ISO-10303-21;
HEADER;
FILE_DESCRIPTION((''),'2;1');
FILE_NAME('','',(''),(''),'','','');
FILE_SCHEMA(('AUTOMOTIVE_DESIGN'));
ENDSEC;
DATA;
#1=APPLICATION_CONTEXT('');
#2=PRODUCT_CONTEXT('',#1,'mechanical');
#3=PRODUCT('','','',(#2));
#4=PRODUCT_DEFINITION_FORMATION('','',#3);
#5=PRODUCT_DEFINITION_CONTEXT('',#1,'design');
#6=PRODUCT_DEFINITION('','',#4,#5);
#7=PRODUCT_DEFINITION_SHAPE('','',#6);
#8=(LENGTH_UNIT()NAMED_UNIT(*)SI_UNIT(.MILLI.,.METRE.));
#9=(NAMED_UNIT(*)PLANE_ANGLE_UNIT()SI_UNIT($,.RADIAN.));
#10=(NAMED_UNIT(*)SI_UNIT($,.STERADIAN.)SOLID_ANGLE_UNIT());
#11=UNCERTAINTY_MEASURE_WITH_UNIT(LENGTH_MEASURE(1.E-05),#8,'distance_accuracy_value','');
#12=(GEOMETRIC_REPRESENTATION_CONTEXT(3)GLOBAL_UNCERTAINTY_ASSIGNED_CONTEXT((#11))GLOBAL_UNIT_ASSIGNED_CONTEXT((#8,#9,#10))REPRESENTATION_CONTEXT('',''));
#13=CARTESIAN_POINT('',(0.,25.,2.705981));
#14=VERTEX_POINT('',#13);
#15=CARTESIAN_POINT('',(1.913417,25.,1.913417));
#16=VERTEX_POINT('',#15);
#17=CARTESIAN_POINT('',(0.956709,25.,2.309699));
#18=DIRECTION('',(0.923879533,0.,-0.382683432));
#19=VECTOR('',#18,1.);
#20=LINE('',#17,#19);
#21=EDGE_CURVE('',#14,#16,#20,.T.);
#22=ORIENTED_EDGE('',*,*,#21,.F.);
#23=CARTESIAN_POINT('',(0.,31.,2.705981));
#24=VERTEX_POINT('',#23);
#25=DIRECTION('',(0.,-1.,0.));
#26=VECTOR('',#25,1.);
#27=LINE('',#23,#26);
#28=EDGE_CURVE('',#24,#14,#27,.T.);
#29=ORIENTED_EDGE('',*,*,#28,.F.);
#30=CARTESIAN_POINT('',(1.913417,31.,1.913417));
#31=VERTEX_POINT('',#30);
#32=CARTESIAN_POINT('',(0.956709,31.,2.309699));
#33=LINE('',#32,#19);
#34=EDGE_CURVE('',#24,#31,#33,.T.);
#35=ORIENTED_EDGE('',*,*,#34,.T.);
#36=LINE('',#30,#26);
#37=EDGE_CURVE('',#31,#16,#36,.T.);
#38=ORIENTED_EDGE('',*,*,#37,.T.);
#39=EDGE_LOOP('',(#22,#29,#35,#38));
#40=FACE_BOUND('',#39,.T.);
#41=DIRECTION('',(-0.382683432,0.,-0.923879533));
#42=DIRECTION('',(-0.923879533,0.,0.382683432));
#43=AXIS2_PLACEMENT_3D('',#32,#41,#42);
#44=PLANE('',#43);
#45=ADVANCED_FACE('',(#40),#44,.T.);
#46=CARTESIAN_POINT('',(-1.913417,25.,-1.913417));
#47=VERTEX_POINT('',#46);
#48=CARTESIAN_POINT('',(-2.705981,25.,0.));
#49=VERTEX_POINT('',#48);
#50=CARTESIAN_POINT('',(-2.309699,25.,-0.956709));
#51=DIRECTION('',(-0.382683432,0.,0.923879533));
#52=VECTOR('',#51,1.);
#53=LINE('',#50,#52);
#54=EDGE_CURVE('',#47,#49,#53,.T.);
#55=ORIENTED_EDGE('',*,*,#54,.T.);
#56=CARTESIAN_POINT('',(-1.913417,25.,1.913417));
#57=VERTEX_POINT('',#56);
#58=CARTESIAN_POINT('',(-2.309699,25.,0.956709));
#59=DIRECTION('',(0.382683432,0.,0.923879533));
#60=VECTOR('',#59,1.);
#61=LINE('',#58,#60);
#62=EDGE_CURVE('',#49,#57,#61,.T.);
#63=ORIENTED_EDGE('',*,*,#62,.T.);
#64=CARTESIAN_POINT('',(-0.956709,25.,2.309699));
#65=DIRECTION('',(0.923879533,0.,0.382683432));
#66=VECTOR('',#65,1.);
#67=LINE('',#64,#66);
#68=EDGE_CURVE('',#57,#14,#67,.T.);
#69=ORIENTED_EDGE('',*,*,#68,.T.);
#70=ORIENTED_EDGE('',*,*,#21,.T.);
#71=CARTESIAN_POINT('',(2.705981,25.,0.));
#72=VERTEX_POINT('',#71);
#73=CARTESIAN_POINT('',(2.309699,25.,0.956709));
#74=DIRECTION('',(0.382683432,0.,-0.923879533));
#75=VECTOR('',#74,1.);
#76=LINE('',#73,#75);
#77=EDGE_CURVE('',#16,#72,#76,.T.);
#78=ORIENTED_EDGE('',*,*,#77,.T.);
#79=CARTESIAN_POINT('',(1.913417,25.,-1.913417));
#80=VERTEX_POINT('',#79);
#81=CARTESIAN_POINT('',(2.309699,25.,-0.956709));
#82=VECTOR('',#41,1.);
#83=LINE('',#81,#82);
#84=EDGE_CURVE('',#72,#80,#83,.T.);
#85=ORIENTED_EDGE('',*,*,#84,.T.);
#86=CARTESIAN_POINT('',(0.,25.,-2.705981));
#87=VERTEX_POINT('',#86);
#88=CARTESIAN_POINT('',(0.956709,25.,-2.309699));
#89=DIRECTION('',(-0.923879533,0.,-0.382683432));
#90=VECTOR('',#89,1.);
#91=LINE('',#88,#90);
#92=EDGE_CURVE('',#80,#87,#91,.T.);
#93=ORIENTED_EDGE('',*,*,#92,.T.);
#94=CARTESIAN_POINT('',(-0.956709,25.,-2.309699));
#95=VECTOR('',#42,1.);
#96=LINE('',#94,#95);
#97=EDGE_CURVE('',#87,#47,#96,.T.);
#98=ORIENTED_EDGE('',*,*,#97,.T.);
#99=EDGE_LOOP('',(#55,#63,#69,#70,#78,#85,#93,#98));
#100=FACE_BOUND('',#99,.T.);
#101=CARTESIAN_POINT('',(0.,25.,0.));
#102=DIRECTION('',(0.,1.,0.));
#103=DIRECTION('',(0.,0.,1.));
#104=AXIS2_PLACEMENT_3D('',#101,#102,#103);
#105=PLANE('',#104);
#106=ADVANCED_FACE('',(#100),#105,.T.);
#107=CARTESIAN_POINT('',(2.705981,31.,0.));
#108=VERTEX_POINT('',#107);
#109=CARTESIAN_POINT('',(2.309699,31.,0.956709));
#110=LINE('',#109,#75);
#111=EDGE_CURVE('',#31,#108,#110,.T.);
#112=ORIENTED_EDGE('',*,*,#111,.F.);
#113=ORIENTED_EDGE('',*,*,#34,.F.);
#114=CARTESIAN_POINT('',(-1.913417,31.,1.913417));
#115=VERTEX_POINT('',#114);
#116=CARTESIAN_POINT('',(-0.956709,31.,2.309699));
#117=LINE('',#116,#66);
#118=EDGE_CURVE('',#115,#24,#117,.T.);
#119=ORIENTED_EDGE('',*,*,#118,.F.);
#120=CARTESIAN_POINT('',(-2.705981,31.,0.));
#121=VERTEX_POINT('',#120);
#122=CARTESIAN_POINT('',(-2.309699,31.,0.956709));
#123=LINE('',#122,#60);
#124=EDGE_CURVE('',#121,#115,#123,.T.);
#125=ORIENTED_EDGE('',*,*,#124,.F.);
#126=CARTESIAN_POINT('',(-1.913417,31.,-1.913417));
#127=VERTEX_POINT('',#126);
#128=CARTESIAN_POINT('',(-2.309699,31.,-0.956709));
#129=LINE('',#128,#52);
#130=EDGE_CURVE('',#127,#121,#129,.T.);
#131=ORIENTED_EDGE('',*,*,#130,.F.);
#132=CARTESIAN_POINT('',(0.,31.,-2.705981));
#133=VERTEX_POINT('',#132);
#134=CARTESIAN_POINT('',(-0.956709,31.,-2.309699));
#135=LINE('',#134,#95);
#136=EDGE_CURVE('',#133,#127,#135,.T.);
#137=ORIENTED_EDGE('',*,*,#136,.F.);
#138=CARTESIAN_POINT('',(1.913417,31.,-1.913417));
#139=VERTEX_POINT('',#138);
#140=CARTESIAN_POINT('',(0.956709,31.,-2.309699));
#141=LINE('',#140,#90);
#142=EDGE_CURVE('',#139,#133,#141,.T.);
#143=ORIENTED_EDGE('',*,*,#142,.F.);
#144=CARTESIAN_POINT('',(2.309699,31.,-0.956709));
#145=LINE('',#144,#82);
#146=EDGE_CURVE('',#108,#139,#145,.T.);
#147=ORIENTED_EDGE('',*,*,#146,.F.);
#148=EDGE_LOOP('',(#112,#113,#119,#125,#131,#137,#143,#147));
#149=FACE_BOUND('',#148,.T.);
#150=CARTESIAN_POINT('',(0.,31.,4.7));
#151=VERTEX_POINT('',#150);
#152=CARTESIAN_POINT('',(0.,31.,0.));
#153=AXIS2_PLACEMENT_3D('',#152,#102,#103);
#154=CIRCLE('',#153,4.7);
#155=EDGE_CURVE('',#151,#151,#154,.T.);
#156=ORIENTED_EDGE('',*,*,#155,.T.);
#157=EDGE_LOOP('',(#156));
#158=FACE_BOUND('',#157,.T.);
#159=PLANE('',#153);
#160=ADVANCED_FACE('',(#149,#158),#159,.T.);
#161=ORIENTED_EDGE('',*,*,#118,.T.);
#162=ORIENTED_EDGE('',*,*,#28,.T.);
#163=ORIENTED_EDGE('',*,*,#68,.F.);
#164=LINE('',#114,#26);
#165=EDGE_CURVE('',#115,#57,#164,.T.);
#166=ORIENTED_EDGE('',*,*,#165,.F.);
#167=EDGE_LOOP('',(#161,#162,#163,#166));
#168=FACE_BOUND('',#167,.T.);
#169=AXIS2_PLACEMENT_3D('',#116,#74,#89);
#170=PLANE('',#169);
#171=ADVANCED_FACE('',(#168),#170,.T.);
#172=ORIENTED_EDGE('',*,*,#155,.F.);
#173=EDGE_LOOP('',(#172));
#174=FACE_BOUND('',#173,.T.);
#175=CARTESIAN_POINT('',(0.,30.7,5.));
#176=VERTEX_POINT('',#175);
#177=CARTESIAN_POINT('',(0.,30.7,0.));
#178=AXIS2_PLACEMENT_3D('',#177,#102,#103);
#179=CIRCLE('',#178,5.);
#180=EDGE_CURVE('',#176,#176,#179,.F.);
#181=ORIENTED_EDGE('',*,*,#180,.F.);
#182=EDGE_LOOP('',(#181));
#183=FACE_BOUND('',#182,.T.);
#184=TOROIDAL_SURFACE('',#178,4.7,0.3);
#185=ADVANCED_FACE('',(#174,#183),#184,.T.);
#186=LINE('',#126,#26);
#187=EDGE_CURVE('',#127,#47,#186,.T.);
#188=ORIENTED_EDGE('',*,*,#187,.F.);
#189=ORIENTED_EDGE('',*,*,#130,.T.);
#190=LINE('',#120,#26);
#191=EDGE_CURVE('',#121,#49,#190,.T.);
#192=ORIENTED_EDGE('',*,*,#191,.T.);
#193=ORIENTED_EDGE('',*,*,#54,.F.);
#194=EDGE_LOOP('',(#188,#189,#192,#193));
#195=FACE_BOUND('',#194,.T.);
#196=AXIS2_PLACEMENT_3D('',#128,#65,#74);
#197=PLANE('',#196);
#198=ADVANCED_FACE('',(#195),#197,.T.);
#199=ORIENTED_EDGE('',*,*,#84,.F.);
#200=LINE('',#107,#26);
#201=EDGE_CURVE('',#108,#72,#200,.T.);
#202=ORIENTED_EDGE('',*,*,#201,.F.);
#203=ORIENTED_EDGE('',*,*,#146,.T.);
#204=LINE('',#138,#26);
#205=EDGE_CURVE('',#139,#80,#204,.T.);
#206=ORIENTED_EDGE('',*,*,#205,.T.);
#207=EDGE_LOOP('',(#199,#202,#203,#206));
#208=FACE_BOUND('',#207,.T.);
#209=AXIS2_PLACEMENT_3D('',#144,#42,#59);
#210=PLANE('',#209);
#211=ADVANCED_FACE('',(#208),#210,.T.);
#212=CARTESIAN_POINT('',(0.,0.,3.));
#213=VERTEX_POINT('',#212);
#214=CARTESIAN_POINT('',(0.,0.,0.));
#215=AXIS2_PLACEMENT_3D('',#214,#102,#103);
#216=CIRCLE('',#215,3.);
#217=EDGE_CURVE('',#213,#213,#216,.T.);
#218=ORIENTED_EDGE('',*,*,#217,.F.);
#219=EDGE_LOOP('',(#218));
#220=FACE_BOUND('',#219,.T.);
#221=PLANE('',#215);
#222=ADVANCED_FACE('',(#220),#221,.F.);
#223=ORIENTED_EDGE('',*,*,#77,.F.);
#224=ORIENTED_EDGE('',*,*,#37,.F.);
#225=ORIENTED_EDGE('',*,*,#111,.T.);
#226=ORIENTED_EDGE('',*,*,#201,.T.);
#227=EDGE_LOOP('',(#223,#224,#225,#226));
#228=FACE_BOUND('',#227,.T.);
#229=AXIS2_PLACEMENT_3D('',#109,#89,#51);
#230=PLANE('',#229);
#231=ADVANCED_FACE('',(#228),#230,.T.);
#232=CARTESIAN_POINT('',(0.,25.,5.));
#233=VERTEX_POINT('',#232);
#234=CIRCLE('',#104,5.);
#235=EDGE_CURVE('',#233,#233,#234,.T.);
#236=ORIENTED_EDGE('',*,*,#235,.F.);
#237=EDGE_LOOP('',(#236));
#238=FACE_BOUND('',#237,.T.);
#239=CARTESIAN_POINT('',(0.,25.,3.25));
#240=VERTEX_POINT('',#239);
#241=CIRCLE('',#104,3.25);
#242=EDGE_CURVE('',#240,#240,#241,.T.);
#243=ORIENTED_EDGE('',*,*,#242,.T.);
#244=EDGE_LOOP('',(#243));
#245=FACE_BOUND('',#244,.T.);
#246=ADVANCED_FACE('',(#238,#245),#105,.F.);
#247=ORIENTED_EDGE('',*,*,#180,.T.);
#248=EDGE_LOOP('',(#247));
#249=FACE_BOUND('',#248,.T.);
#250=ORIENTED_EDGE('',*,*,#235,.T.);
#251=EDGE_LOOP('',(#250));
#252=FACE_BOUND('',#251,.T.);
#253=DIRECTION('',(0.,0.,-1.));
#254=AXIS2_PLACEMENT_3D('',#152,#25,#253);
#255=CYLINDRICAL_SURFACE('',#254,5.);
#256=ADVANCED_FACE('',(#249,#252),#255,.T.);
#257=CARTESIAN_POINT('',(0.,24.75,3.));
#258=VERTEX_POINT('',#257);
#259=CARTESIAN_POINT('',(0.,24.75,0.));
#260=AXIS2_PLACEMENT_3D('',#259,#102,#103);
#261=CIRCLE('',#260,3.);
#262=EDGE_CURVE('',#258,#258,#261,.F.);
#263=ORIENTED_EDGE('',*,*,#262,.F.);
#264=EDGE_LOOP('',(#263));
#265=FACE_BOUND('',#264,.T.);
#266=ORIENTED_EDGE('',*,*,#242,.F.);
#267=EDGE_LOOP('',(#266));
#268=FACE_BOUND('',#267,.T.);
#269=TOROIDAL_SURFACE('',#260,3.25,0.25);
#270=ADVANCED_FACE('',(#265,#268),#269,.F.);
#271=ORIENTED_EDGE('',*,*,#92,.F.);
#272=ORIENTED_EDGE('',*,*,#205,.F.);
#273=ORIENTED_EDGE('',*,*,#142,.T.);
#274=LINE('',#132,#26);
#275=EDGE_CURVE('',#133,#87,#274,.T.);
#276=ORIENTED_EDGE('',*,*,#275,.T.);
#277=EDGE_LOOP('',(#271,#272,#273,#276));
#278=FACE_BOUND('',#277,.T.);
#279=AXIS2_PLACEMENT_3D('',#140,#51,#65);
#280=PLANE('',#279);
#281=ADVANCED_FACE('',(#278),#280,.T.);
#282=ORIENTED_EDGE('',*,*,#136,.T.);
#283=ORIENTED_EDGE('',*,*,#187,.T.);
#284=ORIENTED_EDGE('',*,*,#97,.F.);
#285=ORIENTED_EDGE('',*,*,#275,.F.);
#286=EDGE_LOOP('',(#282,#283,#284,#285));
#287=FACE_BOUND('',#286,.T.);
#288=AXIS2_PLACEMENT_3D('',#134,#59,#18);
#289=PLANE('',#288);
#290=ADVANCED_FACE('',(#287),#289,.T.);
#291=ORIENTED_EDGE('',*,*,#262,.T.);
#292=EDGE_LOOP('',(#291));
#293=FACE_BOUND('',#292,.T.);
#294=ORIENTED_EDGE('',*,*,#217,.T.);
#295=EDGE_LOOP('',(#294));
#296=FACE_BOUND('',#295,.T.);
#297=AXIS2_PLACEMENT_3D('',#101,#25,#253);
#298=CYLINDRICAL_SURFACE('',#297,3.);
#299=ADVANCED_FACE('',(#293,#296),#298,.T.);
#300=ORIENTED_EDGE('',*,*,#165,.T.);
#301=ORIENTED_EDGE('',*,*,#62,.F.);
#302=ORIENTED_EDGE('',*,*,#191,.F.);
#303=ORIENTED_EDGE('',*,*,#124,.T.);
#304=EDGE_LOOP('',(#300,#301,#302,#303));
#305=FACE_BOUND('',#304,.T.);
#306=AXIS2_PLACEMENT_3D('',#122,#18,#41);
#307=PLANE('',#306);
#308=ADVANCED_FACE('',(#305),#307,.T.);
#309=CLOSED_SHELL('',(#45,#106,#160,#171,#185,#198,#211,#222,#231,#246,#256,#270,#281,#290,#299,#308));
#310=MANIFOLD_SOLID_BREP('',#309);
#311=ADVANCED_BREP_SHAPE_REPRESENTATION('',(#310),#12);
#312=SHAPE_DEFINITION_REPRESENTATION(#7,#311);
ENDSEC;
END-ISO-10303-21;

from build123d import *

# Parameters (mm, degrees)
SKETCH1_R           = 3
BOSS_EXTRUDE1_DEPTH = 25
SKETCH2_R           = 5
SKETCH2_R_2         = 3
BOSS_EXTRUDE2_DEPTH = 6
FILLET1_R           = 0.3
FILLET2_R           = 0.25


with BuildPart() as part:
    # Sketch1 → Boss-Extrude1 (new body)
    with BuildSketch(Plane(origin=(0, 0, 0), x_dir=(1, 0, 0), z_dir=(0, 1, 0))):
        Circle(SKETCH1_R)
    extrude(amount=BOSS_EXTRUDE1_DEPTH)

    # Sketch2 → Boss-Extrude2 (add)
    with BuildSketch(Plane(origin=(0, 25, 0), x_dir=(1, 0, 0), z_dir=(0, 1, 0))):
        Circle(SKETCH2_R)
        Circle(SKETCH2_R_2, mode=Mode.SUBTRACT)
        Circle(SKETCH2_R_2)
        Polygon((1.913417162, -1.913417162), (2.705980501, 0), (1.913417162, 1.913417162), (0, 2.705980501), (-1.913417162, 1.913417162), (-2.705980501, 0), (-1.913417162, -1.913417162), (0, -2.705980501), align=None, mode=Mode.SUBTRACT)
    extrude(amount=BOSS_EXTRUDE2_DEPTH)

    # Fillet1
    fillet1_edges = [part.edges().sort_by_distance(p)[0] for p in [
        (-5, 31, 0),
    ]]
    fillet(fillet1_edges, radius=FILLET1_R)

    # Fillet2
    fillet2_edges = [part.edges().sort_by_distance(p)[0] for p in [
        (-3, 25, 0),
    ]]
    fillet(fillet2_edges, radius=FILLET2_R)


solid = part.part
